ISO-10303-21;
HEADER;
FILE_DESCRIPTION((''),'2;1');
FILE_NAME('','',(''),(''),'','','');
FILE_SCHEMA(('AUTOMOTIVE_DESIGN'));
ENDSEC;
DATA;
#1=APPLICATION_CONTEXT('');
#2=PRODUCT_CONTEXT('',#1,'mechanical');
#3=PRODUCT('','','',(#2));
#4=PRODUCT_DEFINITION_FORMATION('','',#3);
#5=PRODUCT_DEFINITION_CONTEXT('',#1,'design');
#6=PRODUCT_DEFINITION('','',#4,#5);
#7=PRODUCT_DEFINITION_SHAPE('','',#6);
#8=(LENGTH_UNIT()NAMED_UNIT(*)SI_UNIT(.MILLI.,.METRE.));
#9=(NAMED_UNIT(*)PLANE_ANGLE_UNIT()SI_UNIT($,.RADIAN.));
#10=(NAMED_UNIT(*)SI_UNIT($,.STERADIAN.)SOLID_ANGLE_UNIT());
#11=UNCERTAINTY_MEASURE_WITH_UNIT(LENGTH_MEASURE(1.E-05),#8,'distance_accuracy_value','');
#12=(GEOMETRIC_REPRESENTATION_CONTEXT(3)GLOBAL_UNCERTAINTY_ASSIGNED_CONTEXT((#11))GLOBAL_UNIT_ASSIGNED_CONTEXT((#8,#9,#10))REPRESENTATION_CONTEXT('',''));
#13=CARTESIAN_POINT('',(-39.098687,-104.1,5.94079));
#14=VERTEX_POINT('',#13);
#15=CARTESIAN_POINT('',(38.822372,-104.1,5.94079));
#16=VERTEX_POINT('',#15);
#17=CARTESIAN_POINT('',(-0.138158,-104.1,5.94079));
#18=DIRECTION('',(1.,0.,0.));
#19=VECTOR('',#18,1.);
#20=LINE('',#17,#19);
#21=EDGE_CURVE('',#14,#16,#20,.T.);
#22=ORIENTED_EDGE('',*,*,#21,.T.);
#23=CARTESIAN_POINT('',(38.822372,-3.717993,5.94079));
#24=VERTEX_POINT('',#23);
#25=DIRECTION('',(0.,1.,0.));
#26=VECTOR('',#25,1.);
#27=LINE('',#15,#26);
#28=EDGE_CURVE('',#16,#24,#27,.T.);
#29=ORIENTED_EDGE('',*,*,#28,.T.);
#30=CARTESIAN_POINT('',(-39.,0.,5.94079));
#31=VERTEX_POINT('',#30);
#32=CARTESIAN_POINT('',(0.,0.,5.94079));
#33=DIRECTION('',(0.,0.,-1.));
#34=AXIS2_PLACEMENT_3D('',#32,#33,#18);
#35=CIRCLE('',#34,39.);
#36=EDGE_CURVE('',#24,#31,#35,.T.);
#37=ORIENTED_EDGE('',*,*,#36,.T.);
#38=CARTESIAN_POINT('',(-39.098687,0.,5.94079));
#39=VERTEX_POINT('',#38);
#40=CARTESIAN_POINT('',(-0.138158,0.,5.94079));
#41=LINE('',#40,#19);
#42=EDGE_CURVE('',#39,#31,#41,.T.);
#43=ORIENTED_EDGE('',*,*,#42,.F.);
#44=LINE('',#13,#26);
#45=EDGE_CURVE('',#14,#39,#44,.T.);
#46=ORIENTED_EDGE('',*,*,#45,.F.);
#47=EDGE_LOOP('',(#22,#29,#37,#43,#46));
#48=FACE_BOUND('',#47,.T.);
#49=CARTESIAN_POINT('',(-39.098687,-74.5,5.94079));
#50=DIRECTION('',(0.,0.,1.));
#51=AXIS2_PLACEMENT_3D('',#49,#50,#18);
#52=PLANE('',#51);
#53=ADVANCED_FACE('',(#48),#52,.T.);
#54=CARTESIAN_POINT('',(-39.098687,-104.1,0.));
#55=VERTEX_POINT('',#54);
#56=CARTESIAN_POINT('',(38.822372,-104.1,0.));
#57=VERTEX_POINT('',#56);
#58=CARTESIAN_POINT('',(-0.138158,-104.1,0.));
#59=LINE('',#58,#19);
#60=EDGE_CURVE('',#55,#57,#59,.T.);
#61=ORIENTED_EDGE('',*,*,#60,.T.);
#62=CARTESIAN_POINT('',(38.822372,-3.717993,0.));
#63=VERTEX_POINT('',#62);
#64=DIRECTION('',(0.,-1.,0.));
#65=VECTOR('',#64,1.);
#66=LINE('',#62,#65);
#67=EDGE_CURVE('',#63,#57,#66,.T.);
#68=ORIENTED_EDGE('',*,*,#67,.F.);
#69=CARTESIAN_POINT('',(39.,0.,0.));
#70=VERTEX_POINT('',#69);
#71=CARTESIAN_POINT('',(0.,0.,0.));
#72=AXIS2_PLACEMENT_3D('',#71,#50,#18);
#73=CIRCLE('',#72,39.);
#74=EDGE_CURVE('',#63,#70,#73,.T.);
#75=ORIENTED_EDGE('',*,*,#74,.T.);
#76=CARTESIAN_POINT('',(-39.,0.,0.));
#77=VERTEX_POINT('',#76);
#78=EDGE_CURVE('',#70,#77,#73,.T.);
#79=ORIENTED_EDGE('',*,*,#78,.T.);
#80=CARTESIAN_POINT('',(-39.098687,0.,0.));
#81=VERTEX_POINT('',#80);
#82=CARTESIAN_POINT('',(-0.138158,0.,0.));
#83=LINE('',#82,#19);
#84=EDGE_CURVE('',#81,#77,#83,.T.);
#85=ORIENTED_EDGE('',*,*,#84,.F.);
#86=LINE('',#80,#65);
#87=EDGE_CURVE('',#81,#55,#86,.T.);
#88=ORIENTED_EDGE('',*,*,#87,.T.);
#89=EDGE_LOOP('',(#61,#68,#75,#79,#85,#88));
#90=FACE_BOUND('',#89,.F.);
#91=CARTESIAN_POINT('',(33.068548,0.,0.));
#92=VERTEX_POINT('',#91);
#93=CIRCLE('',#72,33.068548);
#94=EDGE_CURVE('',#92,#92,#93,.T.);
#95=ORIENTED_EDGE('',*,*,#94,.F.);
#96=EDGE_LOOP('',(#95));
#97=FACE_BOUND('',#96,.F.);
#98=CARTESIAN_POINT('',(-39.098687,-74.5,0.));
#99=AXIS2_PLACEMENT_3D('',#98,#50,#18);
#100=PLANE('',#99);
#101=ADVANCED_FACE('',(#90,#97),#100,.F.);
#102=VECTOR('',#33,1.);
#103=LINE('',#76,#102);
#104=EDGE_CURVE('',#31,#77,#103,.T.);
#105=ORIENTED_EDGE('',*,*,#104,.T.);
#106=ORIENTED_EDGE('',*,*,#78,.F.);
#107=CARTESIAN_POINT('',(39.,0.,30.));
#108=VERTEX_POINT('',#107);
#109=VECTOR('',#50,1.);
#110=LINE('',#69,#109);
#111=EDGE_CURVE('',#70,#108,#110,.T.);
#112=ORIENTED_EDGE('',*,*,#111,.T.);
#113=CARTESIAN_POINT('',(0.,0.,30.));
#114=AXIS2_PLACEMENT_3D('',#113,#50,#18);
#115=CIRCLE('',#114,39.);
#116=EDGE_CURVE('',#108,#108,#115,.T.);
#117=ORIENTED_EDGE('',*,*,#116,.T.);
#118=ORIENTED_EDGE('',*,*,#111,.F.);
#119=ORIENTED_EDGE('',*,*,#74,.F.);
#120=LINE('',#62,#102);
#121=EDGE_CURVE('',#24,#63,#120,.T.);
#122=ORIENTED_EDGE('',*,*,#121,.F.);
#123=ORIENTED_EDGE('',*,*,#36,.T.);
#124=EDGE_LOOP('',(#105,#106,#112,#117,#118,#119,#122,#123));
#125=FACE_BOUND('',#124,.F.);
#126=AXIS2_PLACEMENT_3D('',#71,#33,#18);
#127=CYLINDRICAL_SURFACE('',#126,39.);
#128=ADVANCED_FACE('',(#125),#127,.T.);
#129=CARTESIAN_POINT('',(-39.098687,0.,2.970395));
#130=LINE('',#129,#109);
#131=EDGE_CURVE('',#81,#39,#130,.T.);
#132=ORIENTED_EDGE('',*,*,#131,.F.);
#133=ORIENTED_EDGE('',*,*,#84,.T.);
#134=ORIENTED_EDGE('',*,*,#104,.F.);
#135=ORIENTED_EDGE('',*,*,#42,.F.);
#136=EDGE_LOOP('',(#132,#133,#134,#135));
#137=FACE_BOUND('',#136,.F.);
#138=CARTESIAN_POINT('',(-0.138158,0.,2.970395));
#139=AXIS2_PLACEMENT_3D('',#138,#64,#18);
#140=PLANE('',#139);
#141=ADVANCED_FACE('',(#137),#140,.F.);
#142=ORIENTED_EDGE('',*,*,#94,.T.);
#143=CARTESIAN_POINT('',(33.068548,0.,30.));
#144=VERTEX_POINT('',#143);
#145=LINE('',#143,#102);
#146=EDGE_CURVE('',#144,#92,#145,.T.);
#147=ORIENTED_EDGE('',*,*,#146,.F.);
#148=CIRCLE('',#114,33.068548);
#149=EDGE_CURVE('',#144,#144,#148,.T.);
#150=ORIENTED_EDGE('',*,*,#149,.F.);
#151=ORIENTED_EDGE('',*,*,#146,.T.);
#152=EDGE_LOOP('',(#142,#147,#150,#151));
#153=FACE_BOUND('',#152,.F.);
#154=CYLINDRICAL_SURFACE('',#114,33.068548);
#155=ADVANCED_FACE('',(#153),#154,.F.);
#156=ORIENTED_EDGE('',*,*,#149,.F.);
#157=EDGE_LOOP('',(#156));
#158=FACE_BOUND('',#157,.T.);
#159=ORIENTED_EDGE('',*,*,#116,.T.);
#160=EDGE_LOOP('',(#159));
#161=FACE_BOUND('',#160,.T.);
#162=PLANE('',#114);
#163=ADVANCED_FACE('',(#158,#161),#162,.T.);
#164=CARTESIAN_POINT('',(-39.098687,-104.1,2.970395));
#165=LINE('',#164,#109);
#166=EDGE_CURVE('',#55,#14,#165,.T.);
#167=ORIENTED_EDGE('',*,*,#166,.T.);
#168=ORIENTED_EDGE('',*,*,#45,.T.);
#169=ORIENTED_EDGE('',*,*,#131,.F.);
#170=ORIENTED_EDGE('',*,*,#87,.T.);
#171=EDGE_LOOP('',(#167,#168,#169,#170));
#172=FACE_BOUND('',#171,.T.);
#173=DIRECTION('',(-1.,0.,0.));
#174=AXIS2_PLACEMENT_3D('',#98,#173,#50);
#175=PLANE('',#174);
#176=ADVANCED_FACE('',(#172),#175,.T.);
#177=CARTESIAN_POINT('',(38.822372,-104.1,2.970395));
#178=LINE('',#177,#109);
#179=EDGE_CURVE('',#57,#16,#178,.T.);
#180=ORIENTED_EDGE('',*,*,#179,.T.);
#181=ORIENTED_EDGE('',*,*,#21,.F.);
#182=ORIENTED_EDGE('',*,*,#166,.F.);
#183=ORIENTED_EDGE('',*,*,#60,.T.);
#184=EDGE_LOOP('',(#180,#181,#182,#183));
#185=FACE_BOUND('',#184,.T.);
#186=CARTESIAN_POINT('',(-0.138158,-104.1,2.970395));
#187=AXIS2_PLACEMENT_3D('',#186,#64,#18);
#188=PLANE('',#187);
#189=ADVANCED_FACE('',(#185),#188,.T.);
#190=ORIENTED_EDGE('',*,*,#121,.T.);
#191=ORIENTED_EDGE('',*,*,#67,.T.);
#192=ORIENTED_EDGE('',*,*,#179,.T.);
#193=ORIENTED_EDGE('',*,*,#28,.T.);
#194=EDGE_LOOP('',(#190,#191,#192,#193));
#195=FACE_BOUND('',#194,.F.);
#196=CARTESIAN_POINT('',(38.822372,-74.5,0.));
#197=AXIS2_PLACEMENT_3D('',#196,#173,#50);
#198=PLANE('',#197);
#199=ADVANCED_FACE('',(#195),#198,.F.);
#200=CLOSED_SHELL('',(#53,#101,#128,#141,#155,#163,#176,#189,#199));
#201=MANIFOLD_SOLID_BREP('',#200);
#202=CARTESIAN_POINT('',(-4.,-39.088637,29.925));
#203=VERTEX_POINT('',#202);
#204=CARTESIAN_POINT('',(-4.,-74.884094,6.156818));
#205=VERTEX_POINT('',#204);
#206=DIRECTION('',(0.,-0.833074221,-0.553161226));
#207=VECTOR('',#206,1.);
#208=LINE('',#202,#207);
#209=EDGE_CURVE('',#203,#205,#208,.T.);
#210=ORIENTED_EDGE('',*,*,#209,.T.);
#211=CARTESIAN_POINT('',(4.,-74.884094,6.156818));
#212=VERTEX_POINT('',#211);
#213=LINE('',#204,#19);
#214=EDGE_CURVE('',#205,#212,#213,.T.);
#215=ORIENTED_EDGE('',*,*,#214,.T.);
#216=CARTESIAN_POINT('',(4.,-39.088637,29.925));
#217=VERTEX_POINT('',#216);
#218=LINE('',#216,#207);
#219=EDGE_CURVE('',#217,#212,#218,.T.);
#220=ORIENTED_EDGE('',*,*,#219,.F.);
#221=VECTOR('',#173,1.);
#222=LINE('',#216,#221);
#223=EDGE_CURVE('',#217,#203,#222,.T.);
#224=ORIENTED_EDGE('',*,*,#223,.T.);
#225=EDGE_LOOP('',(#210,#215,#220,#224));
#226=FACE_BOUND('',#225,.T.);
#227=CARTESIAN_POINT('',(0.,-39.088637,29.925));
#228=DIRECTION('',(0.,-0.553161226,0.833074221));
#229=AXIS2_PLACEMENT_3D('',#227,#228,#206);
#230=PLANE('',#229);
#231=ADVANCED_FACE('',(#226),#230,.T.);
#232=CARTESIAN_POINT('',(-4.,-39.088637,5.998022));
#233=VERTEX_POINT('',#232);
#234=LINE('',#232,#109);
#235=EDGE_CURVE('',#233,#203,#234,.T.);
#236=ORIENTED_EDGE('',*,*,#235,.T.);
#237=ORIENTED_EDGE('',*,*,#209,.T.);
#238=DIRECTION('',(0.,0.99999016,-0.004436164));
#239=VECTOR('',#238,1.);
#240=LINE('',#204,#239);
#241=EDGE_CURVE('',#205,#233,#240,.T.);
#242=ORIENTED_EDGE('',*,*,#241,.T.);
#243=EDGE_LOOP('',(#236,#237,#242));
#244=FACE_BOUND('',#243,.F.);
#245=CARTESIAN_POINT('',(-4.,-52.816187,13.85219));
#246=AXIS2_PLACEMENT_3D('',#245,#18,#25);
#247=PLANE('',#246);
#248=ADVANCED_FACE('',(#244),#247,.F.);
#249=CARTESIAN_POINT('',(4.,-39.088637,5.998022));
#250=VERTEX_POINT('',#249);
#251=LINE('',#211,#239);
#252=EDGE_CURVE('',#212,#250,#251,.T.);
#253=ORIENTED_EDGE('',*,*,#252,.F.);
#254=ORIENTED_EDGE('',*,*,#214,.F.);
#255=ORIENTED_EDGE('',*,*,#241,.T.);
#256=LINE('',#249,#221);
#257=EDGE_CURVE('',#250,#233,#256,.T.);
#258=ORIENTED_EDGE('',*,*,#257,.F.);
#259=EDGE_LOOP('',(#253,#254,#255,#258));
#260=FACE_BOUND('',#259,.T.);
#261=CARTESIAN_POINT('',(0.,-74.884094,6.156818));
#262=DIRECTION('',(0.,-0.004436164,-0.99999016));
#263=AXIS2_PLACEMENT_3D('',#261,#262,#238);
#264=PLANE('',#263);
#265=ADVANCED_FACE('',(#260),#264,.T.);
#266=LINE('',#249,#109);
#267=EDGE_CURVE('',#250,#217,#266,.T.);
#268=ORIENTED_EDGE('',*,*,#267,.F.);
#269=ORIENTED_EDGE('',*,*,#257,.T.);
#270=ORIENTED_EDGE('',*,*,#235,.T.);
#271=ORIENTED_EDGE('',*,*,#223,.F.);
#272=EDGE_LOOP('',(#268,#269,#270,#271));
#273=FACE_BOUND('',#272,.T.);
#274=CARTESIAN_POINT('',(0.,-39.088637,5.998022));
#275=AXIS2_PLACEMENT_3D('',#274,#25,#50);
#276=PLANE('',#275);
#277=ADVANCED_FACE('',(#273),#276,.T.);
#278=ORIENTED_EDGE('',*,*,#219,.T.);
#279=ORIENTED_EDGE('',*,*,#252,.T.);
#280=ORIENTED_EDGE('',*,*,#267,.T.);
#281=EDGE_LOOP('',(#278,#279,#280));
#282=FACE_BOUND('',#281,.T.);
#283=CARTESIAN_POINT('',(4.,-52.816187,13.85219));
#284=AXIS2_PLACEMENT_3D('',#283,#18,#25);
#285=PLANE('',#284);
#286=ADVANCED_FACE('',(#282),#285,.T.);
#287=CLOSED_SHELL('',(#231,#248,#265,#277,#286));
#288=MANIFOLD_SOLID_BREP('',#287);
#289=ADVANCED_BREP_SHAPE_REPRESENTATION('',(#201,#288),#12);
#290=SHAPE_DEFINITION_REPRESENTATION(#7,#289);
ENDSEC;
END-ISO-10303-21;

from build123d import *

# Parameters (mm, degrees)
F0_R     = 39
F1_DEPTH = 30
F2_W     = 77.9210589826
F2_H     = 5.9407898225
F3_DEPTH = 74.5
F4_R     = 33.0685483586
F5_DEPTH = 30
F7_DEPTH = 4
F8_W     = 77.9210589826
F8_H     = 5.9407898225
F9_DEPTH = 29.6


with BuildPart() as f1:
    # F0 (on Top) → F1 (new body)
    with BuildSketch(Plane.XY):
        Circle(F0_R)
    extrude(amount=F1_DEPTH)

    # F2 (on Front) → F3 (join)
    with BuildSketch(Plane.XZ):
        with Locations((-0.1381579787, 2.9703949112)):
            Rectangle(F2_W, F2_H)
    extrude(amount=F3_DEPTH)

    # F4 (on face) → F5 (cut)
    with BuildSketch(Plane.XY.offset(30)):
        Circle(F4_R)
    extrude(amount=-F5_DEPTH, mode=Mode.SUBTRACT)

    # F8 (on face) → F9 (join)
    with BuildSketch(Plane.XZ.offset(74.5)):
        with Locations((-0.1381579787, 2.9703949112)):
            Rectangle(F8_W, F8_H)
    extrude(amount=F9_DEPTH)


with BuildPart() as f7:
    # F6 (on Right) → F7 (new body, symmetric)
    with BuildSketch(Plane.YZ):
        Polygon((-39.0886366367, 29.9249999225), (-74.8840942979, 6.1568184756), (-39.0886366367, 5.9980223887), align=None)
    extrude(amount=F7_DEPTH, both=True)


solid = Compound([f1.part, f7.part])
